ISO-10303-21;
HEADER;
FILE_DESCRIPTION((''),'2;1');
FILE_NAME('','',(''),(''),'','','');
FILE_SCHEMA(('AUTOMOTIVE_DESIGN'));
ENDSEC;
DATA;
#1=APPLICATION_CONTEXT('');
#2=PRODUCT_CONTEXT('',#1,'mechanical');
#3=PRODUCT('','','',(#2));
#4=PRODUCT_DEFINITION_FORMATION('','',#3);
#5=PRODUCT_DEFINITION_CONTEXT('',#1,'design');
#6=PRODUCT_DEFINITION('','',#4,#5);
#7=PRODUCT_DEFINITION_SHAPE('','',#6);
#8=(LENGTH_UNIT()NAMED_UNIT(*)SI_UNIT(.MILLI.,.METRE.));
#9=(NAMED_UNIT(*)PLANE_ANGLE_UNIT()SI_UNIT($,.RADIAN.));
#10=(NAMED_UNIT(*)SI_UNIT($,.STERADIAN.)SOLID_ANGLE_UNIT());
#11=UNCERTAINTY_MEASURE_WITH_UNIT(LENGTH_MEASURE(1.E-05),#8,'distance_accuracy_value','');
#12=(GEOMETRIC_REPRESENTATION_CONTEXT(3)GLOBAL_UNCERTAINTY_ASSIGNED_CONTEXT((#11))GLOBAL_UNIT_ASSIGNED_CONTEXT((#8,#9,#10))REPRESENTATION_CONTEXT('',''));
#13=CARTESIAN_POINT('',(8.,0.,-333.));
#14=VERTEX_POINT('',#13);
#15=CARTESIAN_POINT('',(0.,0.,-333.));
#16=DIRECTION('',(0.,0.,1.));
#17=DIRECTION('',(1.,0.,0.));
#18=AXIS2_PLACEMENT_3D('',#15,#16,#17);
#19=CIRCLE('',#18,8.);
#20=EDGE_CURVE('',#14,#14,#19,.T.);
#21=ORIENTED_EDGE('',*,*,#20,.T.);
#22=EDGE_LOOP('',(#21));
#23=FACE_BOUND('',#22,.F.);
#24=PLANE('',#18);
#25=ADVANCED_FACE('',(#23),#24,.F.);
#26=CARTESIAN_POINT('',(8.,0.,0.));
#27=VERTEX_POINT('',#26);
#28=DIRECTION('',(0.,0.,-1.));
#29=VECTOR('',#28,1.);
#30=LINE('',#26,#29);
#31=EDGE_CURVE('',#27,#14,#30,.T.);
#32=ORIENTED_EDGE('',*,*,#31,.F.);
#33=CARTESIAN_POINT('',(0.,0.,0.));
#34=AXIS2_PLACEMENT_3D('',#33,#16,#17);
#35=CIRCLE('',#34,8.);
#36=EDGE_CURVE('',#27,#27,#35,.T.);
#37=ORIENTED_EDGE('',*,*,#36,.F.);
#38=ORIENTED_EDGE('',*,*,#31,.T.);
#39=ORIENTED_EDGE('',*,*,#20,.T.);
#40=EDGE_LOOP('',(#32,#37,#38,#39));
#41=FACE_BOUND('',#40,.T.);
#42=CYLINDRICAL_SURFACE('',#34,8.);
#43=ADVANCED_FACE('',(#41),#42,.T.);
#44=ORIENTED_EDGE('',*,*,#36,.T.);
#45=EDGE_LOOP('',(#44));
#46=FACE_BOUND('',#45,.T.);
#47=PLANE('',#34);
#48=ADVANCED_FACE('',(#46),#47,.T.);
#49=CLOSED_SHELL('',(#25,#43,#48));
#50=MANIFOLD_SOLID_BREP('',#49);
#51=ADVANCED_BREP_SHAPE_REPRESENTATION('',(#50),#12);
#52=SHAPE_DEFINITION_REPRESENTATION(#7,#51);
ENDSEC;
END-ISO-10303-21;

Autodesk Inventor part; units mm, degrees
ref_plane "YZ Plane" through (0, 0, 0) normal (1, 0, 0) x (0, 1, 0)
ref_plane "XZ Plane" through (0, 0, 0) normal (0, 1, 0) x (-1, 0, 0)
ref_plane "XY Plane" through (0, 0, 0) normal (0, 0, 1) x (1, 0, 0)
sketch "Sketch1" plane through (0, 0, 0) normal (0, 0, 1) x (1, 0, 0)
  circle A0 centre (0, 0) radius 8
  dimension "d0" = 16
extrude "Extrusion1" add sketch "Sketch1" against normal blind 333
properties part number "16mm leg"
